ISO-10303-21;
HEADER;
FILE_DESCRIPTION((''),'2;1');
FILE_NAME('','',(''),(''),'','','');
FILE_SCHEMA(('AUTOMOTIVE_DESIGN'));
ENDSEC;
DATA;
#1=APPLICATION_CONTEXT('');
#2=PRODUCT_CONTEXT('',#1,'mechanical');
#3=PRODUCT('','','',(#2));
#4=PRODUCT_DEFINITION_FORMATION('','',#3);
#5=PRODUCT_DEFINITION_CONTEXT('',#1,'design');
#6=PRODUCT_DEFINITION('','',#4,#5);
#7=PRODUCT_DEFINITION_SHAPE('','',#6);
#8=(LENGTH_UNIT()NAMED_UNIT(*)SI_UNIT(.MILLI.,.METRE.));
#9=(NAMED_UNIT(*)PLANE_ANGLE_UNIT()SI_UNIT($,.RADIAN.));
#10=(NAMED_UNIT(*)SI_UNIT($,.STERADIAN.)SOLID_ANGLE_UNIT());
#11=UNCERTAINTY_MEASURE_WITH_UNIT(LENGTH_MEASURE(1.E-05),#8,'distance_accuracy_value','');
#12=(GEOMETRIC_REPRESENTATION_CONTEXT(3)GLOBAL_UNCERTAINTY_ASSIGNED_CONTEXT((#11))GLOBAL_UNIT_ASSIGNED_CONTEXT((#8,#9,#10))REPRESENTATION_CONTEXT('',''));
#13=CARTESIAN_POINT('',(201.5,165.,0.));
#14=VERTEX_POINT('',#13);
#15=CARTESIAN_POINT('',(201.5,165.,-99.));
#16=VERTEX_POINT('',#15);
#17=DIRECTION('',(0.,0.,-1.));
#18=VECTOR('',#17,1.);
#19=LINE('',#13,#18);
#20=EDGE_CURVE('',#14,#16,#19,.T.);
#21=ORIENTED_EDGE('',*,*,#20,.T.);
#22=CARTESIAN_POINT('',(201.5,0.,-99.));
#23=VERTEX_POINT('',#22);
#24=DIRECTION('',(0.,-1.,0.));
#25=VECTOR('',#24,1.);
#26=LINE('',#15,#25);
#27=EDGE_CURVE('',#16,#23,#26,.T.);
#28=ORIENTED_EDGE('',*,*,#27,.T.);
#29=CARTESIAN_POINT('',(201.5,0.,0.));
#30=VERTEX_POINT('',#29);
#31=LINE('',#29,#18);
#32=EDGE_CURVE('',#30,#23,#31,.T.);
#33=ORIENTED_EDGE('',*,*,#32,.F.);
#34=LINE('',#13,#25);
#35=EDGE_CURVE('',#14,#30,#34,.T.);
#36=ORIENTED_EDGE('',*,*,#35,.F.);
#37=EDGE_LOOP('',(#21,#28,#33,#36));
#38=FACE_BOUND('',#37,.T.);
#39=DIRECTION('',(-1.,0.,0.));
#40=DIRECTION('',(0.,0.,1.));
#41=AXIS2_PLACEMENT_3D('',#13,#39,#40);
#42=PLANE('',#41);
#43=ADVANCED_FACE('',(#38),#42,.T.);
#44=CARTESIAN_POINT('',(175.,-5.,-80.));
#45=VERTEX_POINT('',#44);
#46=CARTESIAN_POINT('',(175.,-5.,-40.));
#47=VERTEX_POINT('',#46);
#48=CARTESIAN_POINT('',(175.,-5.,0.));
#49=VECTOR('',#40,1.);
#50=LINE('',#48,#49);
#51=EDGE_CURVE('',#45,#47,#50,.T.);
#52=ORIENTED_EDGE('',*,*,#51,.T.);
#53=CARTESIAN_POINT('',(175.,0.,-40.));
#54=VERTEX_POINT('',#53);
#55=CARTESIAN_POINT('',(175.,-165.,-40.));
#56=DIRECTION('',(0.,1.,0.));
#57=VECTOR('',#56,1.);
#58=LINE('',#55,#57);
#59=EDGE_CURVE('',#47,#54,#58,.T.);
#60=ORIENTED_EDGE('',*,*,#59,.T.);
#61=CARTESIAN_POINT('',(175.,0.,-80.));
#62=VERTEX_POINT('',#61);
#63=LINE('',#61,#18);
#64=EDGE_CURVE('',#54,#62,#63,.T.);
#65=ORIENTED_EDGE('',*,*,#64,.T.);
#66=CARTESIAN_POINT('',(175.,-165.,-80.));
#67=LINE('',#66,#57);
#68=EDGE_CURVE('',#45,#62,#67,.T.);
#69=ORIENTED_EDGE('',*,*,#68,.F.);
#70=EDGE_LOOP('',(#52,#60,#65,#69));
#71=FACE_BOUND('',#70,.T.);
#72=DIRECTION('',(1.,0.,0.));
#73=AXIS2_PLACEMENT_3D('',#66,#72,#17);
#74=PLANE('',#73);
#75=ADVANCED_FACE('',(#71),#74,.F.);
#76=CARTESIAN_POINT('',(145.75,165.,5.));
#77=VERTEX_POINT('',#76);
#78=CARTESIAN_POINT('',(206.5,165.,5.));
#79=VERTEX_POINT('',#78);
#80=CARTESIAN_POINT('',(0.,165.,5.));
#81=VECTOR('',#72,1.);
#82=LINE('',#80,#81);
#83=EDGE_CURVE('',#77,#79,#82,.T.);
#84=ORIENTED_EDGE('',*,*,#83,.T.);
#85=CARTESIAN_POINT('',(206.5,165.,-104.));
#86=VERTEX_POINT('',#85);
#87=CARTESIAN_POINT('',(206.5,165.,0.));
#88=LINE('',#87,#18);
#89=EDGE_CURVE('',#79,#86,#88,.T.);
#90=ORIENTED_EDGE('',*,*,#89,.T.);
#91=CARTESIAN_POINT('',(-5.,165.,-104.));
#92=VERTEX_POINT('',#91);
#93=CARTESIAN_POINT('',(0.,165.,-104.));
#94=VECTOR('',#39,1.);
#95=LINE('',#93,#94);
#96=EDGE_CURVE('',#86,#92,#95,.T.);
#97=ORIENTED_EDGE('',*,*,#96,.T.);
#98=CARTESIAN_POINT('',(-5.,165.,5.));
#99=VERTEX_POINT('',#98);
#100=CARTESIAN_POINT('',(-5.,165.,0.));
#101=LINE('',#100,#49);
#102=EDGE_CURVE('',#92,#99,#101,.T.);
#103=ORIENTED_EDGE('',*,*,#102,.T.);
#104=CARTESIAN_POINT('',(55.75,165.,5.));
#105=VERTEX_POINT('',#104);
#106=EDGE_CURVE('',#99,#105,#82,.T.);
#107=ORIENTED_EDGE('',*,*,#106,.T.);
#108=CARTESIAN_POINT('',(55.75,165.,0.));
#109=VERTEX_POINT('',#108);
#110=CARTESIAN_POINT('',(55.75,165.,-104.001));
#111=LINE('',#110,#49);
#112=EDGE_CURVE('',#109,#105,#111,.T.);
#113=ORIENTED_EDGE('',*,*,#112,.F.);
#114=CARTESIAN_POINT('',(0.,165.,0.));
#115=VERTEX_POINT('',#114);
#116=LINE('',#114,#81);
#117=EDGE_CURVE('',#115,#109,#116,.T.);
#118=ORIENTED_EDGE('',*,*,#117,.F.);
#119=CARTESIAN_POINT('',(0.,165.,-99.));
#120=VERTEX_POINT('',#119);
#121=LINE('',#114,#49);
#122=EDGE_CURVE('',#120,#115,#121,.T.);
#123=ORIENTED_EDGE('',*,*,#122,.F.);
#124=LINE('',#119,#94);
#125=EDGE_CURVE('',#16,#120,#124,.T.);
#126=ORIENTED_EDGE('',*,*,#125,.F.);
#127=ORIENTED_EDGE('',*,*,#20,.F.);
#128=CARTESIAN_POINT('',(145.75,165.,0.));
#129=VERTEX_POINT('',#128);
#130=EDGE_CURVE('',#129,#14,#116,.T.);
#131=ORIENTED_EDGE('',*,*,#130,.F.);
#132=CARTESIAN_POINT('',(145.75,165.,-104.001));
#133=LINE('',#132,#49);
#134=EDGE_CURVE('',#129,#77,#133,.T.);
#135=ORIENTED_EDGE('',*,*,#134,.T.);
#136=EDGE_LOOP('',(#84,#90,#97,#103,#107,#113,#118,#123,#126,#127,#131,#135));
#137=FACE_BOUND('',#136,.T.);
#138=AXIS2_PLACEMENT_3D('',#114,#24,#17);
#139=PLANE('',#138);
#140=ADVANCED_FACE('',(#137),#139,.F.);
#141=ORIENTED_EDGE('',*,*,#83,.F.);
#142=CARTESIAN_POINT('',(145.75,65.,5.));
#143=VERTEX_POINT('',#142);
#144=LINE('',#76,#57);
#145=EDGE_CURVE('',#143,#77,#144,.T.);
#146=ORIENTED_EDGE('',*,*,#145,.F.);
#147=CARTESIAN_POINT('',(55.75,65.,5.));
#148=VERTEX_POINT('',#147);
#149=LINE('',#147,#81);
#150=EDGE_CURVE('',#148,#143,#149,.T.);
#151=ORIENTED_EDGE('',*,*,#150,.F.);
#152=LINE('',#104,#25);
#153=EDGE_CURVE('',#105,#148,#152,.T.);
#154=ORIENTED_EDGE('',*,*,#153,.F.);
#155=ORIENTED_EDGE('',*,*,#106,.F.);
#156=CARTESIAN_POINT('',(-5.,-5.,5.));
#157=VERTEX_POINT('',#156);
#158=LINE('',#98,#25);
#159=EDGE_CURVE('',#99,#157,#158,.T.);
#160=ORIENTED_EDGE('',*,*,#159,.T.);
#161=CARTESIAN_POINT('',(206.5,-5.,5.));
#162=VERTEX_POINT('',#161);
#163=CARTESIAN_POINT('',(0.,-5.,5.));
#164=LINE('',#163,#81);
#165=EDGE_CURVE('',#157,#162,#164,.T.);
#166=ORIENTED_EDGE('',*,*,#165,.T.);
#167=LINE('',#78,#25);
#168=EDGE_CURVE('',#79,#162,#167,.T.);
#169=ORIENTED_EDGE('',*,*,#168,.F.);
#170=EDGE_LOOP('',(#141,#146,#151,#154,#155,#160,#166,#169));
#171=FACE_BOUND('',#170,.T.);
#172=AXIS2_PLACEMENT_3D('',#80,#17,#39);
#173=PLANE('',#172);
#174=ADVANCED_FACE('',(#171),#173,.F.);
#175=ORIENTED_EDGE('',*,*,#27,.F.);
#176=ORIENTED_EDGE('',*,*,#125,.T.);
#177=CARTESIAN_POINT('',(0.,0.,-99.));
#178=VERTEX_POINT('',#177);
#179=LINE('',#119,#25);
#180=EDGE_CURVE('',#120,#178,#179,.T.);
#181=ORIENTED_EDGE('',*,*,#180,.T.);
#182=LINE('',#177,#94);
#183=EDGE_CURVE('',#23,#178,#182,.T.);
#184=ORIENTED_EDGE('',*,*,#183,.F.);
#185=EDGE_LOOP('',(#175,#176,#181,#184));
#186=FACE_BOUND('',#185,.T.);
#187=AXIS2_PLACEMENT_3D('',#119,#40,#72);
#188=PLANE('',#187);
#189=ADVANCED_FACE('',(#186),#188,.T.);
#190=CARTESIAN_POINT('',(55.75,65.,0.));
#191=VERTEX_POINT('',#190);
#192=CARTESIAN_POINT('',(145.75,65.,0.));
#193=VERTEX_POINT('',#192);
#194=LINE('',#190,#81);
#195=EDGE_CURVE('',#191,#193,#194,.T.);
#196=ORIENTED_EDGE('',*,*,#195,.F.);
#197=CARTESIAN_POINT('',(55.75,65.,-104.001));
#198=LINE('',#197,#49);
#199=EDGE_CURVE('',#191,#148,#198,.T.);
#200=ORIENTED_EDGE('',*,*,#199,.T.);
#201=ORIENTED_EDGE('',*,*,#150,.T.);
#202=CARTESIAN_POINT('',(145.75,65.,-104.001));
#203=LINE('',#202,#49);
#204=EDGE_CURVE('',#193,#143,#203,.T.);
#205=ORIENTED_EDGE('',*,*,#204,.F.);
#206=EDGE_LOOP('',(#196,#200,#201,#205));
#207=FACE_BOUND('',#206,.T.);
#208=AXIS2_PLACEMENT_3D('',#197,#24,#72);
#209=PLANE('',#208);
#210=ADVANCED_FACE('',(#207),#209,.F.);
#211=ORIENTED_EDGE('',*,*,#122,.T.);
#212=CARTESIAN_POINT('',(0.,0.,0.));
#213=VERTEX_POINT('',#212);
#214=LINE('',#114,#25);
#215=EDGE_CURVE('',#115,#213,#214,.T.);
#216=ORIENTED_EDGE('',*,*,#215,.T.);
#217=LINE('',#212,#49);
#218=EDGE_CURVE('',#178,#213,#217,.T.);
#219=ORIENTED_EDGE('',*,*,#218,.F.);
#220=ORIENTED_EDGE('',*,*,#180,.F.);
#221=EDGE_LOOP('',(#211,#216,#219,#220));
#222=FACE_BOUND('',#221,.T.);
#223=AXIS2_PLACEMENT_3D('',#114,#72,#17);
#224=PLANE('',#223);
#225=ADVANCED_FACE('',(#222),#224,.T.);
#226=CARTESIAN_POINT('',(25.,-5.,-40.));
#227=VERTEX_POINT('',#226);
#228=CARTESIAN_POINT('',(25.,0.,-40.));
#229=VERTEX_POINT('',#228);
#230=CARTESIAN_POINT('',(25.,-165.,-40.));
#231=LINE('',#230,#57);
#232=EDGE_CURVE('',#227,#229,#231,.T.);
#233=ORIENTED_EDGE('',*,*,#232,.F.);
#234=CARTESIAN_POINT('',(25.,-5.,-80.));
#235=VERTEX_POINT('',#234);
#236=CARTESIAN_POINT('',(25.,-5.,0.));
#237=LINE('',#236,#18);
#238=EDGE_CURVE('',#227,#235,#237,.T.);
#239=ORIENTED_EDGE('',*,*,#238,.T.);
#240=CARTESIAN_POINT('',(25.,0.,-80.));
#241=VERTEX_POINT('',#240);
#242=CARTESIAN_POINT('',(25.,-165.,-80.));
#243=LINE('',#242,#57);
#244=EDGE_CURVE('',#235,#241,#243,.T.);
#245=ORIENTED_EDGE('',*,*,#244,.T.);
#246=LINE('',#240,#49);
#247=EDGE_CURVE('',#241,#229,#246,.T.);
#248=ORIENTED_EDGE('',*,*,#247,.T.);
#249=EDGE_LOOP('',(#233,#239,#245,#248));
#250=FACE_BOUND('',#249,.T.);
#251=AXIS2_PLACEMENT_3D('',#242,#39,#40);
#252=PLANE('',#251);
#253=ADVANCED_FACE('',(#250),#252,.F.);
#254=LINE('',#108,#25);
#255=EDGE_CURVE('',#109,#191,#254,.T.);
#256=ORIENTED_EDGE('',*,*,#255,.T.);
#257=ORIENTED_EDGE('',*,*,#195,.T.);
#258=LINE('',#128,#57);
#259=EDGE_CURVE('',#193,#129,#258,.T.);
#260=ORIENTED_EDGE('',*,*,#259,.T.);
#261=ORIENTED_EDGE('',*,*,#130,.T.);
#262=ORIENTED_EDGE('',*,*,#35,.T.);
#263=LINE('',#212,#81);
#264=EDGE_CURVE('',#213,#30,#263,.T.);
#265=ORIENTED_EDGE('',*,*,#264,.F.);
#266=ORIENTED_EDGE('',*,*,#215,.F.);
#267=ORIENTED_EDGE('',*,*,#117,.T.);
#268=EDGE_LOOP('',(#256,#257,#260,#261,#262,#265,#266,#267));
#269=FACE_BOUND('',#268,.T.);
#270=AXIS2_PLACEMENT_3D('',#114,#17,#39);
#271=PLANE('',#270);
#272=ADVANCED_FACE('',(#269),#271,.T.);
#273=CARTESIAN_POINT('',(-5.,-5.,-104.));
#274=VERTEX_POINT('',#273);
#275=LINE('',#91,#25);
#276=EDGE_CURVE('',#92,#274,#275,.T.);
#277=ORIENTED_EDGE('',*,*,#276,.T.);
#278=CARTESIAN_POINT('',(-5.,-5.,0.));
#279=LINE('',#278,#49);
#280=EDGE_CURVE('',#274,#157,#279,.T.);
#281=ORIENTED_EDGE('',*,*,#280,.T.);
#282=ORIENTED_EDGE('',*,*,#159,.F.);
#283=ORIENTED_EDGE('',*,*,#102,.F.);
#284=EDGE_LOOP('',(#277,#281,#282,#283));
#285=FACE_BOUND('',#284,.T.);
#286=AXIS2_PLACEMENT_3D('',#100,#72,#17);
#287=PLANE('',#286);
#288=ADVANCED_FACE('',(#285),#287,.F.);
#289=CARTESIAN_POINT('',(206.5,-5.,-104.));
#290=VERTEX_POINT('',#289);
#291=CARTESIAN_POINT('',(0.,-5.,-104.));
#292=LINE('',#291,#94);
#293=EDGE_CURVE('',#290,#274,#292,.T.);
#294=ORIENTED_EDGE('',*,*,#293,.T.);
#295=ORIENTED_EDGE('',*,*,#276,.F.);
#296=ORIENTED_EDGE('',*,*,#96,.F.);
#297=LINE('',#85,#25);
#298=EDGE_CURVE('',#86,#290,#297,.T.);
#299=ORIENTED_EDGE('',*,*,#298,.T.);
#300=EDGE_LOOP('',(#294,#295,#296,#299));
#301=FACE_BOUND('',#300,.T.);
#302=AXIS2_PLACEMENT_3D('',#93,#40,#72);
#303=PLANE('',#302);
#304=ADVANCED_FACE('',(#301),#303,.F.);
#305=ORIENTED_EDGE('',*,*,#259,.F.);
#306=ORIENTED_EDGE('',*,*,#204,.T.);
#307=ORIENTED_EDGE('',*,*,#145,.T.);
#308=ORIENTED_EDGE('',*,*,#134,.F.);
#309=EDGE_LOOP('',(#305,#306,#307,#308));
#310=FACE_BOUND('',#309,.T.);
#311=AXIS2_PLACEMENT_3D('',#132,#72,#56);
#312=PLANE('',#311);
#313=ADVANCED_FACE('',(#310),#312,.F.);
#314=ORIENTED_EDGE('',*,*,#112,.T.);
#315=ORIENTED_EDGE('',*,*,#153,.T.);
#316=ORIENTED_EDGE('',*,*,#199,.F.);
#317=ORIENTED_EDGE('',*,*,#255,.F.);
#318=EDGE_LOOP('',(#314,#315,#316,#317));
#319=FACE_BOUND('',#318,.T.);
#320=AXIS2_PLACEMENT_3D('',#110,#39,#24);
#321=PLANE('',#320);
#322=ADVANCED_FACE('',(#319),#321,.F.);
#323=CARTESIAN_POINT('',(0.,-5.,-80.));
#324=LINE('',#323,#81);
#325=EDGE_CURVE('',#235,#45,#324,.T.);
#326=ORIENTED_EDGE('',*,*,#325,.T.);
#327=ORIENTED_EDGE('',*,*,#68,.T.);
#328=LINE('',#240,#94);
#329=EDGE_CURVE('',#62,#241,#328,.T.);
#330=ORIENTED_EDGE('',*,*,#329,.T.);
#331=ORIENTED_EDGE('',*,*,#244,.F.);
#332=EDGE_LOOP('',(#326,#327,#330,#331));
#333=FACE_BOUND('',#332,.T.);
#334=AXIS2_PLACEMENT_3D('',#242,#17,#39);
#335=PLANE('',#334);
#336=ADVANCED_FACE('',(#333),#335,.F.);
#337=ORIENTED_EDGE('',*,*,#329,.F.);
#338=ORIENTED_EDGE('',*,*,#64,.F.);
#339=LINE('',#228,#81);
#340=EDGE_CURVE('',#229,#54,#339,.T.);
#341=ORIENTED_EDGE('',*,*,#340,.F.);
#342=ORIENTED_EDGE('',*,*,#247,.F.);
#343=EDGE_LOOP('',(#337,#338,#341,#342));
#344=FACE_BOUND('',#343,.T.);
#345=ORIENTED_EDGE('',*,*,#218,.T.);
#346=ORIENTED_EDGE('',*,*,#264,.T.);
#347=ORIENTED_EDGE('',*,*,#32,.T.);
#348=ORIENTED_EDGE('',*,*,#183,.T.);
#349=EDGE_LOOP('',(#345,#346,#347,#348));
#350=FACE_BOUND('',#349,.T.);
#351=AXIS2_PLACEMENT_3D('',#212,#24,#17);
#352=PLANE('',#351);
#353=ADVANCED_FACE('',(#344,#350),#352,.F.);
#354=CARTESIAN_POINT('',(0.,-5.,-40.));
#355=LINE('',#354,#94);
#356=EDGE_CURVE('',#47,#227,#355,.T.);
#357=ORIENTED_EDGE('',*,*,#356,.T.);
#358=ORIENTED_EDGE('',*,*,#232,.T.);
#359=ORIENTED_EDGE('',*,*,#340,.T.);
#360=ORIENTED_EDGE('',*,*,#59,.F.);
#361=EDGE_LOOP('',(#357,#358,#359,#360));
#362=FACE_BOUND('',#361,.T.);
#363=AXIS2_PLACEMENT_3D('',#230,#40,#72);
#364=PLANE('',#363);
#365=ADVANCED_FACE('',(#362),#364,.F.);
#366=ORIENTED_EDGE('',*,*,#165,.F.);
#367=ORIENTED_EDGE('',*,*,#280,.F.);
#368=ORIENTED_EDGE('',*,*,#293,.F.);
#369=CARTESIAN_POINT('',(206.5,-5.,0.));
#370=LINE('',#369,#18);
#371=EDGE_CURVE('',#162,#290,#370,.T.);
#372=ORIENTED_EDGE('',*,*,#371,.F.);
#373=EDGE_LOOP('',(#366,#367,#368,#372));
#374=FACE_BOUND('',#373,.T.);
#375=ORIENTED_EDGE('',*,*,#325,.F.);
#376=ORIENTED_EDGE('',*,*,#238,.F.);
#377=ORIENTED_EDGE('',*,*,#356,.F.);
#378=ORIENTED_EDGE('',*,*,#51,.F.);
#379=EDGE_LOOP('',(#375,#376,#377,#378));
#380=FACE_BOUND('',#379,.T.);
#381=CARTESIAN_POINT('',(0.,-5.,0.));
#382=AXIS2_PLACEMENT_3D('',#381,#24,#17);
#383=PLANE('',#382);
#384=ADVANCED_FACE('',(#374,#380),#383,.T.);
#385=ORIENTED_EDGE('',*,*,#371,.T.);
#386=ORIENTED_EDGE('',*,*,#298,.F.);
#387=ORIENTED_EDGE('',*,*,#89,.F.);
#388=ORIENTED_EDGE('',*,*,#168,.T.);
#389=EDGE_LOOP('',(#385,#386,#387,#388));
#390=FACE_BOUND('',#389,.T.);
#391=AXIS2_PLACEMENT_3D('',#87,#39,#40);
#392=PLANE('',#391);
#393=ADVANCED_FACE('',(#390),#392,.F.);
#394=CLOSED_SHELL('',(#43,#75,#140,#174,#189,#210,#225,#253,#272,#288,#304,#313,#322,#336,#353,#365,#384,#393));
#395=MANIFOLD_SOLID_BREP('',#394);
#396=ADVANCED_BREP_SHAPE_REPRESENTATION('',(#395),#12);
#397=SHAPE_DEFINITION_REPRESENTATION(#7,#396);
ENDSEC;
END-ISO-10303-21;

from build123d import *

# Parameters (mm, degrees)
SKETCH6_W           = 201.5
SKETCH6_H           = 99
BOSS_EXTRUDE1_DEPTH = 165
SHELL1_T            = 5
SKETCH7_W           = 150
SKETCH7_H           = 40
CUT_EXTRUDE1_DEPTH  = 165
CUT_EXTRUDE2_REACH  = 287.917
SKETCH8_W           = 90
SKETCH8_H           = 100


with BuildPart() as part:
    # Sketch6 → Boss-Extrude1 (new body)
    with BuildSketch(Plane(origin=(0, 0, 0), x_dir=(1, 0, 0), z_dir=(0, 1, 0))):
        with Locations((100.75, 49.5)):
            Rectangle(SKETCH6_W, SKETCH6_H)
    extrude(amount=BOSS_EXTRUDE1_DEPTH)

    # Shell1
    shell1_openings = [part.faces().sort_by_distance(p)[0] for p in [
        (100.75, 165, -49.5),
    ]]
    offset(amount=SHELL1_T, openings=shell1_openings, kind=Kind.INTERSECTION)

    # Sketch7 → Cut-Extrude1 (cut)
    with BuildSketch(Plane(origin=(0, 0, 0), x_dir=(1, 0, 0), z_dir=(0, 1, 0))):
        with Locations((100, 60)):
            Rectangle(SKETCH7_W, SKETCH7_H)
    extrude(amount=-CUT_EXTRUDE1_DEPTH, mode=Mode.SUBTRACT)

    # Sketch8 → Cut-Extrude2 (cut, up to next)
    with BuildSketch(Plane.XY.offset(5), mode=Mode.PRIVATE) as cut_extrude2_sk1:
        with Locations((100.75, 115)):
            Rectangle(SKETCH8_W, SKETCH8_H)
    cut_extrude2_tool1 = extrude(cut_extrude2_sk1.sketch, amount=-CUT_EXTRUDE2_REACH, mode=Mode.PRIVATE) & part.part
    add(cut_extrude2_tool1.solids().sort_by_distance((100.75, 115, 5))[0], mode=Mode.SUBTRACT)


solid = part.part
